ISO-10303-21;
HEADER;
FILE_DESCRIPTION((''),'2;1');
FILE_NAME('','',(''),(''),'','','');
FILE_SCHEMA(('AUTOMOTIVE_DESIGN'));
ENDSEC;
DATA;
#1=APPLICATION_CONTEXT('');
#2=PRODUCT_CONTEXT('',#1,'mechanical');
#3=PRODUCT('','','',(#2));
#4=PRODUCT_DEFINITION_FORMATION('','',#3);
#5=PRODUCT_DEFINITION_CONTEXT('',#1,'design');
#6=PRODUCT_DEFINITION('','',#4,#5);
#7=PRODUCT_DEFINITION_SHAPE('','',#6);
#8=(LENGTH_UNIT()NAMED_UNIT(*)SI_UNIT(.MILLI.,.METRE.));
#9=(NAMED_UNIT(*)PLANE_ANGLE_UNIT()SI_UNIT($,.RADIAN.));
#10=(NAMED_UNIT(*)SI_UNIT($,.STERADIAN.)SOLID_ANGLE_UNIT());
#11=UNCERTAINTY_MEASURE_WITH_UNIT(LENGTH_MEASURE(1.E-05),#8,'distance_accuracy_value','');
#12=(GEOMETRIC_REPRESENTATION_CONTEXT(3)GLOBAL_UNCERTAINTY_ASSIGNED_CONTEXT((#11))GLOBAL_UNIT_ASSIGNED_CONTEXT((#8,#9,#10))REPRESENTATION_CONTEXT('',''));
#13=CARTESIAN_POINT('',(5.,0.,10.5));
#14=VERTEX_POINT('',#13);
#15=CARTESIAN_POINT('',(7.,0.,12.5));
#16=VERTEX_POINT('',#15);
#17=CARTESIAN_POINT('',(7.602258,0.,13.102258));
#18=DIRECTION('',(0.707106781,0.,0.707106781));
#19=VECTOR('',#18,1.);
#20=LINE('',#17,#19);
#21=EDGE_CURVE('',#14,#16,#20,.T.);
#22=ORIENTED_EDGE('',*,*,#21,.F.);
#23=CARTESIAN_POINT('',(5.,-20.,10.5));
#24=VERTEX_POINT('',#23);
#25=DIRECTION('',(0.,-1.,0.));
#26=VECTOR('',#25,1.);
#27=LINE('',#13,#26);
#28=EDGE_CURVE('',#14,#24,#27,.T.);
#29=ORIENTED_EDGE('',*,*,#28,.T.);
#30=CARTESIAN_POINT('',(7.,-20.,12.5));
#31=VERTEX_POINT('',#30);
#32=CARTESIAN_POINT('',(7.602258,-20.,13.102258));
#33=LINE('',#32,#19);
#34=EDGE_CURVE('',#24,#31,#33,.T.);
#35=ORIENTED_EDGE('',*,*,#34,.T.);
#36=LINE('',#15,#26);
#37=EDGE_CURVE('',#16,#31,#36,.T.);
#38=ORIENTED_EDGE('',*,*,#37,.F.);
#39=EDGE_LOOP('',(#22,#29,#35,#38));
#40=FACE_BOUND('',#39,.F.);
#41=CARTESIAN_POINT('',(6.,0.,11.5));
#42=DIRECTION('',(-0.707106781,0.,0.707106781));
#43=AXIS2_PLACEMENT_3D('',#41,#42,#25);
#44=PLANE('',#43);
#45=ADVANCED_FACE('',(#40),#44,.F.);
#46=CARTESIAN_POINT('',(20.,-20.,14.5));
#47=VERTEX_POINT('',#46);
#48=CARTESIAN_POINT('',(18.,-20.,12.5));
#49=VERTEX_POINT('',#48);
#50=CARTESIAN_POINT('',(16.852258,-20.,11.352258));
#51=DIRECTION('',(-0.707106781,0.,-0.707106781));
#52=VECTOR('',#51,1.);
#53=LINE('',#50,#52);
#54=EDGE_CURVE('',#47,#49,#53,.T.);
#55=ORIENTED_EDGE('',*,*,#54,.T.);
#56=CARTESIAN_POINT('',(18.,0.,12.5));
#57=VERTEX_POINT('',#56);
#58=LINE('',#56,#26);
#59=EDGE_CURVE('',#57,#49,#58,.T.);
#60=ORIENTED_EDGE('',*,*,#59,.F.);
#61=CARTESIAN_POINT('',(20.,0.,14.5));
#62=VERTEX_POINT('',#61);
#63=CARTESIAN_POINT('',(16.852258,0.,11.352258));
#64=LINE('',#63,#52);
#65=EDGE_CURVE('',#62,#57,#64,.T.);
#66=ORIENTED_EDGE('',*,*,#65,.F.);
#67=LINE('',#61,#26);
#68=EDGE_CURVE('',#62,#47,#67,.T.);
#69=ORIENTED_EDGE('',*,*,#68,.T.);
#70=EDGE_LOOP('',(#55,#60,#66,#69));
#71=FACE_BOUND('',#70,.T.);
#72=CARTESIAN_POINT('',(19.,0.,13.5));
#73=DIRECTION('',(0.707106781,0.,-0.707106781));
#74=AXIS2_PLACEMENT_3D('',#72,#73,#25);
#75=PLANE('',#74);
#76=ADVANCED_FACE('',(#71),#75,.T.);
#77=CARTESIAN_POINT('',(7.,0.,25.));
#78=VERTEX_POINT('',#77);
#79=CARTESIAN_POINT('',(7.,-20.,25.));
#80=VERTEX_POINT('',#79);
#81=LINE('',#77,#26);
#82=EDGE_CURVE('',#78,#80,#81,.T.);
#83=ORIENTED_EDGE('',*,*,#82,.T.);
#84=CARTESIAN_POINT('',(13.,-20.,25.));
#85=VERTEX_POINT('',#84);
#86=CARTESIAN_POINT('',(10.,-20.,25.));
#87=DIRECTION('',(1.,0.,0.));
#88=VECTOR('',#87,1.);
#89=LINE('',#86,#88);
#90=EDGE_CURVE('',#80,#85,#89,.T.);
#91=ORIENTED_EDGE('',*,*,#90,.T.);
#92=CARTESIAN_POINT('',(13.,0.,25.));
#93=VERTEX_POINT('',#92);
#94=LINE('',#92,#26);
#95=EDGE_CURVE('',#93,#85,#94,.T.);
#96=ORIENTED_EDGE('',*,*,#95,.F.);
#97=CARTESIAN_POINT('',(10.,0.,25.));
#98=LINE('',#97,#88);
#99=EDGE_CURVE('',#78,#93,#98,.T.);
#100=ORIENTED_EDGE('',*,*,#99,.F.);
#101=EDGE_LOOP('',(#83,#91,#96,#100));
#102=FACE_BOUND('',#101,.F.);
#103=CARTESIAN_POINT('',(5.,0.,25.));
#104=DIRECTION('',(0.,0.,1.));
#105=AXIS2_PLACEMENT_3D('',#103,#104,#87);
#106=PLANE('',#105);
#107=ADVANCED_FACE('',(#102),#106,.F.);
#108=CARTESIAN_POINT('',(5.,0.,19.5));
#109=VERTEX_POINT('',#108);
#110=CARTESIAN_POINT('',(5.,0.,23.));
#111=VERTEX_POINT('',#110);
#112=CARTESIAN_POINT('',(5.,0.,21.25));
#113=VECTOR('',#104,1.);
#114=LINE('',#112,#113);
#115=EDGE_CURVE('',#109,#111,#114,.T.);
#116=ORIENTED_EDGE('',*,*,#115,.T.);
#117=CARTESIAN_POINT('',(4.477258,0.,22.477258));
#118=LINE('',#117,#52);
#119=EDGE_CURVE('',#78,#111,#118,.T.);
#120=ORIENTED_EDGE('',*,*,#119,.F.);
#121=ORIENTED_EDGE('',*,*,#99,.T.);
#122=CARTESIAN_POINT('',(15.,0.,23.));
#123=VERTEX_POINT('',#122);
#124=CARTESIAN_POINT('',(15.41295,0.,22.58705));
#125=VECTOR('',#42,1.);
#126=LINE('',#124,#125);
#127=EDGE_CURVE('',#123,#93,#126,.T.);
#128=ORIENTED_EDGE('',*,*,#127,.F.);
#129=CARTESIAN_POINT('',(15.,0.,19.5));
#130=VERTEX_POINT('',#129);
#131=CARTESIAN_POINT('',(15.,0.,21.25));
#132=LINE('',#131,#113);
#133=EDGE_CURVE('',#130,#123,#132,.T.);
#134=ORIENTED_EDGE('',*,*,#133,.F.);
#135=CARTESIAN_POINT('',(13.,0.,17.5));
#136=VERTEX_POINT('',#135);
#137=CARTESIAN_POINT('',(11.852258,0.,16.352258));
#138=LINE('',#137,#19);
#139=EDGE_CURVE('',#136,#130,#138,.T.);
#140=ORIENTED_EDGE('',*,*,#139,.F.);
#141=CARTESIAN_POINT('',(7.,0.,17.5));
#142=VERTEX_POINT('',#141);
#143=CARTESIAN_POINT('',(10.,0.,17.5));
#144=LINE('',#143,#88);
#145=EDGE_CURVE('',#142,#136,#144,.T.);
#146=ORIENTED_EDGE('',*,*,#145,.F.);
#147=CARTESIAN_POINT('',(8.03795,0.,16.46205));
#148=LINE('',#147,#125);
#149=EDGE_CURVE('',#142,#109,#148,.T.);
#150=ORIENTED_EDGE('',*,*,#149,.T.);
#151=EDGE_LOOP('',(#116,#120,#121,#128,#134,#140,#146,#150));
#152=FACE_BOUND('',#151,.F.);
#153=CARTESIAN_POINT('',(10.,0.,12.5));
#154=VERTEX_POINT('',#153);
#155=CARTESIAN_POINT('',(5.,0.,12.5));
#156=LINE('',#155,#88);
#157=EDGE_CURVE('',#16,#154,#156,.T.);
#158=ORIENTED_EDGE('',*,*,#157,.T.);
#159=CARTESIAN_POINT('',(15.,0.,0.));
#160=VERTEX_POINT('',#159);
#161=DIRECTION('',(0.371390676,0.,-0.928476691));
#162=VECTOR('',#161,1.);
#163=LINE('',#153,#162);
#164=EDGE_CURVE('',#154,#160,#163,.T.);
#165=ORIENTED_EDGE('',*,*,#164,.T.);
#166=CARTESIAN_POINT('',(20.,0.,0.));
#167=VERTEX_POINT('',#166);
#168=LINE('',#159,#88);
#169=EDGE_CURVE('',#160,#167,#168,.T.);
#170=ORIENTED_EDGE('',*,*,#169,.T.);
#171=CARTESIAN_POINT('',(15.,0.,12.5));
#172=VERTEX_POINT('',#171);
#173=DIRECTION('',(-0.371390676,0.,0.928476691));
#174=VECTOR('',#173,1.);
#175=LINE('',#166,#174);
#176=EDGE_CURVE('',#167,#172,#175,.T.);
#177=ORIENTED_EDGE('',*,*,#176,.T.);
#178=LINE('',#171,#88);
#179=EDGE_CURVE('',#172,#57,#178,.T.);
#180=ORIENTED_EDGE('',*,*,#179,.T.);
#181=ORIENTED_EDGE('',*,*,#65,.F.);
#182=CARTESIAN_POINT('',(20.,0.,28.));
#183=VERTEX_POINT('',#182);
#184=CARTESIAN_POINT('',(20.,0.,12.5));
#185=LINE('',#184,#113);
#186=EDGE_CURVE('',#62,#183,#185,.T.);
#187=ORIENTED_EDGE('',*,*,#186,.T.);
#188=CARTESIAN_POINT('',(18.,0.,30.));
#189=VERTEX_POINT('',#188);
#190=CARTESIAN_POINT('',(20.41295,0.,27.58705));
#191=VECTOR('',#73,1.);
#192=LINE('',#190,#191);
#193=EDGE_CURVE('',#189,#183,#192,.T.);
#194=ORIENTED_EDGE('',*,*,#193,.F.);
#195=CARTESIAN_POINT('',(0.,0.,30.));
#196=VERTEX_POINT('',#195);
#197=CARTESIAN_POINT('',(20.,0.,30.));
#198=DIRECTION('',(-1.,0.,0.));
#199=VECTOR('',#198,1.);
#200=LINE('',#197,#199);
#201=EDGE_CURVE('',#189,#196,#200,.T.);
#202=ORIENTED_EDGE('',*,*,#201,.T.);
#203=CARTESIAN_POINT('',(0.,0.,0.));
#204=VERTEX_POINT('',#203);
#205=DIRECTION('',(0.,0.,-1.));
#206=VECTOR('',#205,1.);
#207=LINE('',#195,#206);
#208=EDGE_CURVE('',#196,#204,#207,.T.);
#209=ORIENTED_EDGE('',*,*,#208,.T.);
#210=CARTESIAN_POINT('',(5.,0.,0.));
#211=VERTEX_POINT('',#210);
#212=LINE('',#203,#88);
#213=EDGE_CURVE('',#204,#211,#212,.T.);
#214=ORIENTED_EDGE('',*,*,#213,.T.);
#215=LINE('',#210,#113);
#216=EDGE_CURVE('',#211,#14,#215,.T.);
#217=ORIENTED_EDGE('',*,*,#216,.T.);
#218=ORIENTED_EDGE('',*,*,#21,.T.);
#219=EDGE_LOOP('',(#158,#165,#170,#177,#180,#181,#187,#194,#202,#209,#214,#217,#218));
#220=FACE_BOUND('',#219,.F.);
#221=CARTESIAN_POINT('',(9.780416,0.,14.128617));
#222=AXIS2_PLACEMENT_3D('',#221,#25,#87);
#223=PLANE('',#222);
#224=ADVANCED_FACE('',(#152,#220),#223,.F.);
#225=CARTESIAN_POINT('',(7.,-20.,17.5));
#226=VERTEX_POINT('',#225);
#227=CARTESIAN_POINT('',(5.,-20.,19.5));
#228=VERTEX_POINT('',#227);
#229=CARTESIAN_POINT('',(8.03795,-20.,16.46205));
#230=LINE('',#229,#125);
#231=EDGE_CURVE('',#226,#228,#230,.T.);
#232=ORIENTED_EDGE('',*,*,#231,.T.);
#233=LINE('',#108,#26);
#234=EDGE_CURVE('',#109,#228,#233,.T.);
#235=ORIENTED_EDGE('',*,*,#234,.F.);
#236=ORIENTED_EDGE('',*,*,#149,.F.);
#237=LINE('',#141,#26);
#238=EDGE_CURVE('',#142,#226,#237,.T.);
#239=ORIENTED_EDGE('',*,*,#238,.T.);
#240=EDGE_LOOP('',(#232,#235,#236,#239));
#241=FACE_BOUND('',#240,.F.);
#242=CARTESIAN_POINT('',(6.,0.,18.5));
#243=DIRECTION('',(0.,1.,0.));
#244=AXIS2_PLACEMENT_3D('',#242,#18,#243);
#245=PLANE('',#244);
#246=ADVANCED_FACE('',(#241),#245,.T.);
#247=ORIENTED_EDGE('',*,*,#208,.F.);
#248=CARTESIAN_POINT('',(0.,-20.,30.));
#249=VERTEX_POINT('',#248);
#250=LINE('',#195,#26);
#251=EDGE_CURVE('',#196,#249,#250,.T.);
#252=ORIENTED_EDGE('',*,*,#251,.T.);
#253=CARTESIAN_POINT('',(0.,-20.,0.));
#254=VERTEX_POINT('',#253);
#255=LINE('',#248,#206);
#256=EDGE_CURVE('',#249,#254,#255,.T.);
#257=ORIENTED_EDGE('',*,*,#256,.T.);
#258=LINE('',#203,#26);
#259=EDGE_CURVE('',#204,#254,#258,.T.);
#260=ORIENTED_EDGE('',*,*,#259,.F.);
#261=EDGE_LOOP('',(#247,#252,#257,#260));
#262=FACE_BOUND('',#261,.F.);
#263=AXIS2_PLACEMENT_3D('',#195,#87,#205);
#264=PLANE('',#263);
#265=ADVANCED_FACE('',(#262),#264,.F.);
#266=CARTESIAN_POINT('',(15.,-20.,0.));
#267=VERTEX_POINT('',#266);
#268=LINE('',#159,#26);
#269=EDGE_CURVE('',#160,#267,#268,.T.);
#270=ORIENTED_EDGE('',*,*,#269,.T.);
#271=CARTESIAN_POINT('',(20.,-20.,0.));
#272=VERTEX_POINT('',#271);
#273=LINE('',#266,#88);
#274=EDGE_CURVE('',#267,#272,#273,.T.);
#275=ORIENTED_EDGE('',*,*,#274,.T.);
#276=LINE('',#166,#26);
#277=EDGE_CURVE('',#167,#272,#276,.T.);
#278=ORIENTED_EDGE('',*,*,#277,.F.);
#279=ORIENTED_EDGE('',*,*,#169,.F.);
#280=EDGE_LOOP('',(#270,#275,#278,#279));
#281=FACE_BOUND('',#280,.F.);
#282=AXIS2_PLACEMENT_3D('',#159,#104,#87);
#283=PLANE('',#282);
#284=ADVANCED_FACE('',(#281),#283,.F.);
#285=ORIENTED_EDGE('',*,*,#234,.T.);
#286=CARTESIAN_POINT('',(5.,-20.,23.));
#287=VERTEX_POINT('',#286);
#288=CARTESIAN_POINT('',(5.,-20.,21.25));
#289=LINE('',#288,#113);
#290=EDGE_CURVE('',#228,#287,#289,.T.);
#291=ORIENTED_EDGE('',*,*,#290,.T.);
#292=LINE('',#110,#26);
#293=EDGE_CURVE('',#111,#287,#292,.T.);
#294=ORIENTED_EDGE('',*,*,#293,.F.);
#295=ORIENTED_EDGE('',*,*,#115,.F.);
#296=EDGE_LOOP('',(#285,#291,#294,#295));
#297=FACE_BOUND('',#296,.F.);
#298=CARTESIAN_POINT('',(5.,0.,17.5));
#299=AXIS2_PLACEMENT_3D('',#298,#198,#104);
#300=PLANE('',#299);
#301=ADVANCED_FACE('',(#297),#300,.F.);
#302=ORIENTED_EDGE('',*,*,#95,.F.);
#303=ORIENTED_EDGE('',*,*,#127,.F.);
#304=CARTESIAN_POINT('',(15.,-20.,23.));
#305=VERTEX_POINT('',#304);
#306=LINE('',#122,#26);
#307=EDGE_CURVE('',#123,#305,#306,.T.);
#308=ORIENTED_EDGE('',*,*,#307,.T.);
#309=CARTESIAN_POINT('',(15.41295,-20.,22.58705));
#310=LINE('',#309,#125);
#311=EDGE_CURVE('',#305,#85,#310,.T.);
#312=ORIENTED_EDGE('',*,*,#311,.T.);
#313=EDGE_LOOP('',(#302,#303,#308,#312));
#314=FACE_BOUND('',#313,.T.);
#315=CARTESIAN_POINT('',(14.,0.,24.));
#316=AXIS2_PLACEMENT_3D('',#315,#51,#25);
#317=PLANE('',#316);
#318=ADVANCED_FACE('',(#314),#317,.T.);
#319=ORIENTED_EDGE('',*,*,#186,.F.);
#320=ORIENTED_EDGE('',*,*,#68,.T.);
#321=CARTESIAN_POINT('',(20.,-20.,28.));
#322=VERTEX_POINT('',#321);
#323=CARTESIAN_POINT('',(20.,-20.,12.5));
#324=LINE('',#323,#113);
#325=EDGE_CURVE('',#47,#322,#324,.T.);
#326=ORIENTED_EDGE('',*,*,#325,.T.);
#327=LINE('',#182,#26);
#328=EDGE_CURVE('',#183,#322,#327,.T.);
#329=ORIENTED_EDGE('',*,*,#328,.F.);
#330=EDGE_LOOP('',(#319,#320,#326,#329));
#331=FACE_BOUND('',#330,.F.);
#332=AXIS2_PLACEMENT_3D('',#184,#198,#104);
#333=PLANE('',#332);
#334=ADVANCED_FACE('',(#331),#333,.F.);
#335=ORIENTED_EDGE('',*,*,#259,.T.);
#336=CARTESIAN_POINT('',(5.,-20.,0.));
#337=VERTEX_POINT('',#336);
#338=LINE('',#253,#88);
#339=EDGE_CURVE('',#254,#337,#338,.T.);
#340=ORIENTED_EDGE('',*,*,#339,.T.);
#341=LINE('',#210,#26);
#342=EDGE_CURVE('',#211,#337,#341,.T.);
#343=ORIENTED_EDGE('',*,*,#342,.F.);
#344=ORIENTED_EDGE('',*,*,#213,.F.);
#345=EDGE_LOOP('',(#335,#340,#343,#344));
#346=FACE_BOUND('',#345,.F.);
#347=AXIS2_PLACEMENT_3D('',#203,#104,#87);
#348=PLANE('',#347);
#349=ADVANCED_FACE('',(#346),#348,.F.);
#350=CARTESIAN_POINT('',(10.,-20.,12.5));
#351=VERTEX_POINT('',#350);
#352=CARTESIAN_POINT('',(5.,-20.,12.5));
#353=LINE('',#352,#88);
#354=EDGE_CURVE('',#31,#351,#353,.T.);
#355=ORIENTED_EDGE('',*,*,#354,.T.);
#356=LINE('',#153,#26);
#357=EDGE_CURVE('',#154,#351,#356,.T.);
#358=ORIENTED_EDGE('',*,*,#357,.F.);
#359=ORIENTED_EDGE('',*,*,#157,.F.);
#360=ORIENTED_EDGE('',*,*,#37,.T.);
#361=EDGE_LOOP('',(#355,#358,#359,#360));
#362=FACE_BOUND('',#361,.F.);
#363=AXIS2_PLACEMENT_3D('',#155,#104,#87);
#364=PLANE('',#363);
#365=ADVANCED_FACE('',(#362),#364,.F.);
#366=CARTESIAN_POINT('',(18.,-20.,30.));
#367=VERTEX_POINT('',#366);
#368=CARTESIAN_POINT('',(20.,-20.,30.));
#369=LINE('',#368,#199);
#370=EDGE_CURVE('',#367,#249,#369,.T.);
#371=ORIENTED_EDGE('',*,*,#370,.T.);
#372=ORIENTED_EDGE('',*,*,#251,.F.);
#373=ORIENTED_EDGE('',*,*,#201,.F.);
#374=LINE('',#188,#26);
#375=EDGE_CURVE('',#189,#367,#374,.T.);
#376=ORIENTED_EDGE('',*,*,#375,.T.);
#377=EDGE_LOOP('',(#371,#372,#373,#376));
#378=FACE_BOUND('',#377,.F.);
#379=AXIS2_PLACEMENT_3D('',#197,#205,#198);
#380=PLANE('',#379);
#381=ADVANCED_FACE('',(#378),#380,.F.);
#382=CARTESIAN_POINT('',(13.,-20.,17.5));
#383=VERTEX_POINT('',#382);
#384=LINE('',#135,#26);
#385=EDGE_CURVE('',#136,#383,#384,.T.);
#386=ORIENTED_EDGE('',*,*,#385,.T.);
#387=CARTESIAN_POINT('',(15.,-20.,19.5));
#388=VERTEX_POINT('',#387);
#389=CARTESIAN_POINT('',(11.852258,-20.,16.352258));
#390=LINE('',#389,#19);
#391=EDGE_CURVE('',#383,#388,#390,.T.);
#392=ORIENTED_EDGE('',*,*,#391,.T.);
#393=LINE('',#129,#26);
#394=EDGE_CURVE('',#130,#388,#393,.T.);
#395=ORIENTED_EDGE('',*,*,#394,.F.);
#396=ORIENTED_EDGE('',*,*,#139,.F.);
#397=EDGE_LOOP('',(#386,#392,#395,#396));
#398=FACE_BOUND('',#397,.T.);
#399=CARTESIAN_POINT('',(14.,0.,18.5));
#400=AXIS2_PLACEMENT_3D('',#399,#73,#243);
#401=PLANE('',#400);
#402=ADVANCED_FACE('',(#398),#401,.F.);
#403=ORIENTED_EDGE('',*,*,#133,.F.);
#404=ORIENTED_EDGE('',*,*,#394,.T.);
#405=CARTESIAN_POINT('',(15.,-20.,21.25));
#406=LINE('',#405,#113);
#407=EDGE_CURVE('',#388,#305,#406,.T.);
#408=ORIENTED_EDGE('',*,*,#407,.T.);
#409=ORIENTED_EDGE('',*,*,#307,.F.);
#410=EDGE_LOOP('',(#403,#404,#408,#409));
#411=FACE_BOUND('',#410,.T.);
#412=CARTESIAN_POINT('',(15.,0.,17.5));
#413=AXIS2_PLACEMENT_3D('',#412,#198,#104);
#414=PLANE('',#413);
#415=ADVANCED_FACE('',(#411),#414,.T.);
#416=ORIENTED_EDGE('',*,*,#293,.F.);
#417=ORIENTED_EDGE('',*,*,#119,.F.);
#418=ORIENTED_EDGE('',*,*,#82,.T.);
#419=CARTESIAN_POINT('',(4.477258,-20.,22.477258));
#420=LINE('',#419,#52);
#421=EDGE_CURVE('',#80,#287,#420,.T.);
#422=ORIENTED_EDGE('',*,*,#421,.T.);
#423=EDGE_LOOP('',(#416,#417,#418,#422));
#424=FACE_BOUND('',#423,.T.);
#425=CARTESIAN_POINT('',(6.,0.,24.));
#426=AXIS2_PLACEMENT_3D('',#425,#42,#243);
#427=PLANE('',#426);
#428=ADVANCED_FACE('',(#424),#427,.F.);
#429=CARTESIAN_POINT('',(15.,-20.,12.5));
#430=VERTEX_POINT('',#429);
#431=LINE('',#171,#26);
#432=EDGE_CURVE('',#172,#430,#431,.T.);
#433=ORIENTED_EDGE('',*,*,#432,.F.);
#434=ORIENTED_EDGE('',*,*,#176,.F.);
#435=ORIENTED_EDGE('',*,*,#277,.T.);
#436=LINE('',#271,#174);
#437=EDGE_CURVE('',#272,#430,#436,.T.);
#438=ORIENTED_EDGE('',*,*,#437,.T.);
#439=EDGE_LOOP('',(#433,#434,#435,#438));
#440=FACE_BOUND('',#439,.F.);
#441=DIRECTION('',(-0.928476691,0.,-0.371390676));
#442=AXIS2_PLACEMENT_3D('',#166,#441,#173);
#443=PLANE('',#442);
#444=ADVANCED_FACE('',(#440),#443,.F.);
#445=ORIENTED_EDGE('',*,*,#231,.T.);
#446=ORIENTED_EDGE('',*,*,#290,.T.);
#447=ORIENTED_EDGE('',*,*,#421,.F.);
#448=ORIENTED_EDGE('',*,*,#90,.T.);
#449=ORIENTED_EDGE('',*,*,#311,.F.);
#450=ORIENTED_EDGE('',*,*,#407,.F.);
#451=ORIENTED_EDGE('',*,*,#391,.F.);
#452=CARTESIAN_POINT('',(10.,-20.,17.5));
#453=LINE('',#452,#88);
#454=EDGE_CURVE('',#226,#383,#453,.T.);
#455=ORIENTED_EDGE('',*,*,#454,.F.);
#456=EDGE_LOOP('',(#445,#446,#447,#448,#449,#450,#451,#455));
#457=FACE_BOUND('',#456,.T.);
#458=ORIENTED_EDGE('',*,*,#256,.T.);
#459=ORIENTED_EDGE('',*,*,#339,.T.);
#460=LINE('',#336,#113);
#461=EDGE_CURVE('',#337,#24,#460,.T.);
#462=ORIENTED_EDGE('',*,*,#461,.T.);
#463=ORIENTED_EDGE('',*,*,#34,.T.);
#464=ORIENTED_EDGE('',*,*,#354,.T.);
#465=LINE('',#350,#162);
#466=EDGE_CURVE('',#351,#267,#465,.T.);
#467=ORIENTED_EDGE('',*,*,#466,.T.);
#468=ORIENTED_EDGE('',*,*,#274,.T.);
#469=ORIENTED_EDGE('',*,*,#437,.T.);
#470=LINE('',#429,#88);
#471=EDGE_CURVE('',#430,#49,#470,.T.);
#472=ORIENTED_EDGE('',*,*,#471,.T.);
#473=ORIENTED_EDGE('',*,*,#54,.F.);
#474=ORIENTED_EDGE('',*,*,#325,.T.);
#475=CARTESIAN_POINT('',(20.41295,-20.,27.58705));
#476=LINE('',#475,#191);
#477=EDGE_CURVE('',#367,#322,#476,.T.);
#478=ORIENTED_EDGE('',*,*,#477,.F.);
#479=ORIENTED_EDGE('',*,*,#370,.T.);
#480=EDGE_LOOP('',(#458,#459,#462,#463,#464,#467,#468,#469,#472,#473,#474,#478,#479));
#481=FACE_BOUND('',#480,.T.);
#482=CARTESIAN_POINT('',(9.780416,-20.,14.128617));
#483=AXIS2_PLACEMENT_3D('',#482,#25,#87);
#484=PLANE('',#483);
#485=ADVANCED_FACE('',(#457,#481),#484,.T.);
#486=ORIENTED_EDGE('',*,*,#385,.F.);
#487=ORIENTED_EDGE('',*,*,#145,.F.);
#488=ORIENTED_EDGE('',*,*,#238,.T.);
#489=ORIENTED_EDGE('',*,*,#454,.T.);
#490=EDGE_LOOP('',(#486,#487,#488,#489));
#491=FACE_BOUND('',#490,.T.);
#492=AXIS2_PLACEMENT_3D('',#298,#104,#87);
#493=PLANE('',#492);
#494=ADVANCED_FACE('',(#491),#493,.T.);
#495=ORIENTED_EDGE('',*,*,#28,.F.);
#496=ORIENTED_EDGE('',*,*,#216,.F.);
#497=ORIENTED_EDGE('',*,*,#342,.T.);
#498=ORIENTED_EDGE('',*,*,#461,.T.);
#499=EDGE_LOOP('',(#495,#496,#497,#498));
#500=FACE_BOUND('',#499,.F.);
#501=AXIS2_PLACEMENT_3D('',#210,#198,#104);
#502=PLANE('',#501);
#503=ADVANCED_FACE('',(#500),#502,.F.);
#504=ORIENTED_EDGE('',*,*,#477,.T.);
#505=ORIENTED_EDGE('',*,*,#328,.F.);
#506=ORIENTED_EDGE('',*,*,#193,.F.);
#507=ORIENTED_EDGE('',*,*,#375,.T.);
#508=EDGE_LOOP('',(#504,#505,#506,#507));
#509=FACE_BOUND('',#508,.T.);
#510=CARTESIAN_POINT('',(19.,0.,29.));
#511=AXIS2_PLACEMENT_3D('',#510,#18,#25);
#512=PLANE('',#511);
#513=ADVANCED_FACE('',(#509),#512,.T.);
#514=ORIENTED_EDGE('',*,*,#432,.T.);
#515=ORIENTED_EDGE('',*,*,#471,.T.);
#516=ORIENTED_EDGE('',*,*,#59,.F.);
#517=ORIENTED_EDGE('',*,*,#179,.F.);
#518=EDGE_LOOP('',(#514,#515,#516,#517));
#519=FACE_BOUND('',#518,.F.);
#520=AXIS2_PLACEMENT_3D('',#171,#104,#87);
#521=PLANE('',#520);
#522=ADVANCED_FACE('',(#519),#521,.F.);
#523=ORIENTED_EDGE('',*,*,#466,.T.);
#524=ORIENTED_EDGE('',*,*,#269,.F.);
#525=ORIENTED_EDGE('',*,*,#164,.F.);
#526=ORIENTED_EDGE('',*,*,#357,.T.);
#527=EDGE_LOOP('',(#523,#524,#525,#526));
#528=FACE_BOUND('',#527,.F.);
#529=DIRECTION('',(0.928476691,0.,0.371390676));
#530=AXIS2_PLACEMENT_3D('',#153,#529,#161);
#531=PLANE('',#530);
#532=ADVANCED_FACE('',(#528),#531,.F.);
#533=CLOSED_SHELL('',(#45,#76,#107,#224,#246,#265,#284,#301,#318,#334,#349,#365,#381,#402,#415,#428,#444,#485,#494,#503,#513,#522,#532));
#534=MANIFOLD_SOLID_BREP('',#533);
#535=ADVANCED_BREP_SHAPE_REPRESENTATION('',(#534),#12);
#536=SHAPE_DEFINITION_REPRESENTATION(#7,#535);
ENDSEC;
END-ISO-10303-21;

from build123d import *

# Parameters (mm, degrees)
F0_W     = 10
F0_H     = 7.5
F1_DEPTH = 20
F2_SIZE  = 2


with BuildPart() as f1:
    # F0 (on Front) → F1 (new body)
    with BuildSketch(Plane.XZ):
        Polygon((0, 30), (0, 0), (5, 0), (5, 12.5), (10, 12.5), (15, 0), (20, 0), (15, 12.5), (20, 12.5), (20, 30), align=None)
        with Locations((10, 21.25)):
            Rectangle(F0_W, F0_H, mode=Mode.SUBTRACT)
    extrude(amount=F1_DEPTH)

    # F2
    f2_edges = [f1.edges().sort_by_distance(p)[0] for p in [
        (20, -10, 30),
        (20, -10, 12.5),
        (5, -10, 17.5),
        (5, -10, 25),
        (5, -10, 12.5),
        (15, -10, 25),
        (15, -10, 17.5),
    ]]
    chamfer(f2_edges, length=F2_SIZE)


solid = f1.part
